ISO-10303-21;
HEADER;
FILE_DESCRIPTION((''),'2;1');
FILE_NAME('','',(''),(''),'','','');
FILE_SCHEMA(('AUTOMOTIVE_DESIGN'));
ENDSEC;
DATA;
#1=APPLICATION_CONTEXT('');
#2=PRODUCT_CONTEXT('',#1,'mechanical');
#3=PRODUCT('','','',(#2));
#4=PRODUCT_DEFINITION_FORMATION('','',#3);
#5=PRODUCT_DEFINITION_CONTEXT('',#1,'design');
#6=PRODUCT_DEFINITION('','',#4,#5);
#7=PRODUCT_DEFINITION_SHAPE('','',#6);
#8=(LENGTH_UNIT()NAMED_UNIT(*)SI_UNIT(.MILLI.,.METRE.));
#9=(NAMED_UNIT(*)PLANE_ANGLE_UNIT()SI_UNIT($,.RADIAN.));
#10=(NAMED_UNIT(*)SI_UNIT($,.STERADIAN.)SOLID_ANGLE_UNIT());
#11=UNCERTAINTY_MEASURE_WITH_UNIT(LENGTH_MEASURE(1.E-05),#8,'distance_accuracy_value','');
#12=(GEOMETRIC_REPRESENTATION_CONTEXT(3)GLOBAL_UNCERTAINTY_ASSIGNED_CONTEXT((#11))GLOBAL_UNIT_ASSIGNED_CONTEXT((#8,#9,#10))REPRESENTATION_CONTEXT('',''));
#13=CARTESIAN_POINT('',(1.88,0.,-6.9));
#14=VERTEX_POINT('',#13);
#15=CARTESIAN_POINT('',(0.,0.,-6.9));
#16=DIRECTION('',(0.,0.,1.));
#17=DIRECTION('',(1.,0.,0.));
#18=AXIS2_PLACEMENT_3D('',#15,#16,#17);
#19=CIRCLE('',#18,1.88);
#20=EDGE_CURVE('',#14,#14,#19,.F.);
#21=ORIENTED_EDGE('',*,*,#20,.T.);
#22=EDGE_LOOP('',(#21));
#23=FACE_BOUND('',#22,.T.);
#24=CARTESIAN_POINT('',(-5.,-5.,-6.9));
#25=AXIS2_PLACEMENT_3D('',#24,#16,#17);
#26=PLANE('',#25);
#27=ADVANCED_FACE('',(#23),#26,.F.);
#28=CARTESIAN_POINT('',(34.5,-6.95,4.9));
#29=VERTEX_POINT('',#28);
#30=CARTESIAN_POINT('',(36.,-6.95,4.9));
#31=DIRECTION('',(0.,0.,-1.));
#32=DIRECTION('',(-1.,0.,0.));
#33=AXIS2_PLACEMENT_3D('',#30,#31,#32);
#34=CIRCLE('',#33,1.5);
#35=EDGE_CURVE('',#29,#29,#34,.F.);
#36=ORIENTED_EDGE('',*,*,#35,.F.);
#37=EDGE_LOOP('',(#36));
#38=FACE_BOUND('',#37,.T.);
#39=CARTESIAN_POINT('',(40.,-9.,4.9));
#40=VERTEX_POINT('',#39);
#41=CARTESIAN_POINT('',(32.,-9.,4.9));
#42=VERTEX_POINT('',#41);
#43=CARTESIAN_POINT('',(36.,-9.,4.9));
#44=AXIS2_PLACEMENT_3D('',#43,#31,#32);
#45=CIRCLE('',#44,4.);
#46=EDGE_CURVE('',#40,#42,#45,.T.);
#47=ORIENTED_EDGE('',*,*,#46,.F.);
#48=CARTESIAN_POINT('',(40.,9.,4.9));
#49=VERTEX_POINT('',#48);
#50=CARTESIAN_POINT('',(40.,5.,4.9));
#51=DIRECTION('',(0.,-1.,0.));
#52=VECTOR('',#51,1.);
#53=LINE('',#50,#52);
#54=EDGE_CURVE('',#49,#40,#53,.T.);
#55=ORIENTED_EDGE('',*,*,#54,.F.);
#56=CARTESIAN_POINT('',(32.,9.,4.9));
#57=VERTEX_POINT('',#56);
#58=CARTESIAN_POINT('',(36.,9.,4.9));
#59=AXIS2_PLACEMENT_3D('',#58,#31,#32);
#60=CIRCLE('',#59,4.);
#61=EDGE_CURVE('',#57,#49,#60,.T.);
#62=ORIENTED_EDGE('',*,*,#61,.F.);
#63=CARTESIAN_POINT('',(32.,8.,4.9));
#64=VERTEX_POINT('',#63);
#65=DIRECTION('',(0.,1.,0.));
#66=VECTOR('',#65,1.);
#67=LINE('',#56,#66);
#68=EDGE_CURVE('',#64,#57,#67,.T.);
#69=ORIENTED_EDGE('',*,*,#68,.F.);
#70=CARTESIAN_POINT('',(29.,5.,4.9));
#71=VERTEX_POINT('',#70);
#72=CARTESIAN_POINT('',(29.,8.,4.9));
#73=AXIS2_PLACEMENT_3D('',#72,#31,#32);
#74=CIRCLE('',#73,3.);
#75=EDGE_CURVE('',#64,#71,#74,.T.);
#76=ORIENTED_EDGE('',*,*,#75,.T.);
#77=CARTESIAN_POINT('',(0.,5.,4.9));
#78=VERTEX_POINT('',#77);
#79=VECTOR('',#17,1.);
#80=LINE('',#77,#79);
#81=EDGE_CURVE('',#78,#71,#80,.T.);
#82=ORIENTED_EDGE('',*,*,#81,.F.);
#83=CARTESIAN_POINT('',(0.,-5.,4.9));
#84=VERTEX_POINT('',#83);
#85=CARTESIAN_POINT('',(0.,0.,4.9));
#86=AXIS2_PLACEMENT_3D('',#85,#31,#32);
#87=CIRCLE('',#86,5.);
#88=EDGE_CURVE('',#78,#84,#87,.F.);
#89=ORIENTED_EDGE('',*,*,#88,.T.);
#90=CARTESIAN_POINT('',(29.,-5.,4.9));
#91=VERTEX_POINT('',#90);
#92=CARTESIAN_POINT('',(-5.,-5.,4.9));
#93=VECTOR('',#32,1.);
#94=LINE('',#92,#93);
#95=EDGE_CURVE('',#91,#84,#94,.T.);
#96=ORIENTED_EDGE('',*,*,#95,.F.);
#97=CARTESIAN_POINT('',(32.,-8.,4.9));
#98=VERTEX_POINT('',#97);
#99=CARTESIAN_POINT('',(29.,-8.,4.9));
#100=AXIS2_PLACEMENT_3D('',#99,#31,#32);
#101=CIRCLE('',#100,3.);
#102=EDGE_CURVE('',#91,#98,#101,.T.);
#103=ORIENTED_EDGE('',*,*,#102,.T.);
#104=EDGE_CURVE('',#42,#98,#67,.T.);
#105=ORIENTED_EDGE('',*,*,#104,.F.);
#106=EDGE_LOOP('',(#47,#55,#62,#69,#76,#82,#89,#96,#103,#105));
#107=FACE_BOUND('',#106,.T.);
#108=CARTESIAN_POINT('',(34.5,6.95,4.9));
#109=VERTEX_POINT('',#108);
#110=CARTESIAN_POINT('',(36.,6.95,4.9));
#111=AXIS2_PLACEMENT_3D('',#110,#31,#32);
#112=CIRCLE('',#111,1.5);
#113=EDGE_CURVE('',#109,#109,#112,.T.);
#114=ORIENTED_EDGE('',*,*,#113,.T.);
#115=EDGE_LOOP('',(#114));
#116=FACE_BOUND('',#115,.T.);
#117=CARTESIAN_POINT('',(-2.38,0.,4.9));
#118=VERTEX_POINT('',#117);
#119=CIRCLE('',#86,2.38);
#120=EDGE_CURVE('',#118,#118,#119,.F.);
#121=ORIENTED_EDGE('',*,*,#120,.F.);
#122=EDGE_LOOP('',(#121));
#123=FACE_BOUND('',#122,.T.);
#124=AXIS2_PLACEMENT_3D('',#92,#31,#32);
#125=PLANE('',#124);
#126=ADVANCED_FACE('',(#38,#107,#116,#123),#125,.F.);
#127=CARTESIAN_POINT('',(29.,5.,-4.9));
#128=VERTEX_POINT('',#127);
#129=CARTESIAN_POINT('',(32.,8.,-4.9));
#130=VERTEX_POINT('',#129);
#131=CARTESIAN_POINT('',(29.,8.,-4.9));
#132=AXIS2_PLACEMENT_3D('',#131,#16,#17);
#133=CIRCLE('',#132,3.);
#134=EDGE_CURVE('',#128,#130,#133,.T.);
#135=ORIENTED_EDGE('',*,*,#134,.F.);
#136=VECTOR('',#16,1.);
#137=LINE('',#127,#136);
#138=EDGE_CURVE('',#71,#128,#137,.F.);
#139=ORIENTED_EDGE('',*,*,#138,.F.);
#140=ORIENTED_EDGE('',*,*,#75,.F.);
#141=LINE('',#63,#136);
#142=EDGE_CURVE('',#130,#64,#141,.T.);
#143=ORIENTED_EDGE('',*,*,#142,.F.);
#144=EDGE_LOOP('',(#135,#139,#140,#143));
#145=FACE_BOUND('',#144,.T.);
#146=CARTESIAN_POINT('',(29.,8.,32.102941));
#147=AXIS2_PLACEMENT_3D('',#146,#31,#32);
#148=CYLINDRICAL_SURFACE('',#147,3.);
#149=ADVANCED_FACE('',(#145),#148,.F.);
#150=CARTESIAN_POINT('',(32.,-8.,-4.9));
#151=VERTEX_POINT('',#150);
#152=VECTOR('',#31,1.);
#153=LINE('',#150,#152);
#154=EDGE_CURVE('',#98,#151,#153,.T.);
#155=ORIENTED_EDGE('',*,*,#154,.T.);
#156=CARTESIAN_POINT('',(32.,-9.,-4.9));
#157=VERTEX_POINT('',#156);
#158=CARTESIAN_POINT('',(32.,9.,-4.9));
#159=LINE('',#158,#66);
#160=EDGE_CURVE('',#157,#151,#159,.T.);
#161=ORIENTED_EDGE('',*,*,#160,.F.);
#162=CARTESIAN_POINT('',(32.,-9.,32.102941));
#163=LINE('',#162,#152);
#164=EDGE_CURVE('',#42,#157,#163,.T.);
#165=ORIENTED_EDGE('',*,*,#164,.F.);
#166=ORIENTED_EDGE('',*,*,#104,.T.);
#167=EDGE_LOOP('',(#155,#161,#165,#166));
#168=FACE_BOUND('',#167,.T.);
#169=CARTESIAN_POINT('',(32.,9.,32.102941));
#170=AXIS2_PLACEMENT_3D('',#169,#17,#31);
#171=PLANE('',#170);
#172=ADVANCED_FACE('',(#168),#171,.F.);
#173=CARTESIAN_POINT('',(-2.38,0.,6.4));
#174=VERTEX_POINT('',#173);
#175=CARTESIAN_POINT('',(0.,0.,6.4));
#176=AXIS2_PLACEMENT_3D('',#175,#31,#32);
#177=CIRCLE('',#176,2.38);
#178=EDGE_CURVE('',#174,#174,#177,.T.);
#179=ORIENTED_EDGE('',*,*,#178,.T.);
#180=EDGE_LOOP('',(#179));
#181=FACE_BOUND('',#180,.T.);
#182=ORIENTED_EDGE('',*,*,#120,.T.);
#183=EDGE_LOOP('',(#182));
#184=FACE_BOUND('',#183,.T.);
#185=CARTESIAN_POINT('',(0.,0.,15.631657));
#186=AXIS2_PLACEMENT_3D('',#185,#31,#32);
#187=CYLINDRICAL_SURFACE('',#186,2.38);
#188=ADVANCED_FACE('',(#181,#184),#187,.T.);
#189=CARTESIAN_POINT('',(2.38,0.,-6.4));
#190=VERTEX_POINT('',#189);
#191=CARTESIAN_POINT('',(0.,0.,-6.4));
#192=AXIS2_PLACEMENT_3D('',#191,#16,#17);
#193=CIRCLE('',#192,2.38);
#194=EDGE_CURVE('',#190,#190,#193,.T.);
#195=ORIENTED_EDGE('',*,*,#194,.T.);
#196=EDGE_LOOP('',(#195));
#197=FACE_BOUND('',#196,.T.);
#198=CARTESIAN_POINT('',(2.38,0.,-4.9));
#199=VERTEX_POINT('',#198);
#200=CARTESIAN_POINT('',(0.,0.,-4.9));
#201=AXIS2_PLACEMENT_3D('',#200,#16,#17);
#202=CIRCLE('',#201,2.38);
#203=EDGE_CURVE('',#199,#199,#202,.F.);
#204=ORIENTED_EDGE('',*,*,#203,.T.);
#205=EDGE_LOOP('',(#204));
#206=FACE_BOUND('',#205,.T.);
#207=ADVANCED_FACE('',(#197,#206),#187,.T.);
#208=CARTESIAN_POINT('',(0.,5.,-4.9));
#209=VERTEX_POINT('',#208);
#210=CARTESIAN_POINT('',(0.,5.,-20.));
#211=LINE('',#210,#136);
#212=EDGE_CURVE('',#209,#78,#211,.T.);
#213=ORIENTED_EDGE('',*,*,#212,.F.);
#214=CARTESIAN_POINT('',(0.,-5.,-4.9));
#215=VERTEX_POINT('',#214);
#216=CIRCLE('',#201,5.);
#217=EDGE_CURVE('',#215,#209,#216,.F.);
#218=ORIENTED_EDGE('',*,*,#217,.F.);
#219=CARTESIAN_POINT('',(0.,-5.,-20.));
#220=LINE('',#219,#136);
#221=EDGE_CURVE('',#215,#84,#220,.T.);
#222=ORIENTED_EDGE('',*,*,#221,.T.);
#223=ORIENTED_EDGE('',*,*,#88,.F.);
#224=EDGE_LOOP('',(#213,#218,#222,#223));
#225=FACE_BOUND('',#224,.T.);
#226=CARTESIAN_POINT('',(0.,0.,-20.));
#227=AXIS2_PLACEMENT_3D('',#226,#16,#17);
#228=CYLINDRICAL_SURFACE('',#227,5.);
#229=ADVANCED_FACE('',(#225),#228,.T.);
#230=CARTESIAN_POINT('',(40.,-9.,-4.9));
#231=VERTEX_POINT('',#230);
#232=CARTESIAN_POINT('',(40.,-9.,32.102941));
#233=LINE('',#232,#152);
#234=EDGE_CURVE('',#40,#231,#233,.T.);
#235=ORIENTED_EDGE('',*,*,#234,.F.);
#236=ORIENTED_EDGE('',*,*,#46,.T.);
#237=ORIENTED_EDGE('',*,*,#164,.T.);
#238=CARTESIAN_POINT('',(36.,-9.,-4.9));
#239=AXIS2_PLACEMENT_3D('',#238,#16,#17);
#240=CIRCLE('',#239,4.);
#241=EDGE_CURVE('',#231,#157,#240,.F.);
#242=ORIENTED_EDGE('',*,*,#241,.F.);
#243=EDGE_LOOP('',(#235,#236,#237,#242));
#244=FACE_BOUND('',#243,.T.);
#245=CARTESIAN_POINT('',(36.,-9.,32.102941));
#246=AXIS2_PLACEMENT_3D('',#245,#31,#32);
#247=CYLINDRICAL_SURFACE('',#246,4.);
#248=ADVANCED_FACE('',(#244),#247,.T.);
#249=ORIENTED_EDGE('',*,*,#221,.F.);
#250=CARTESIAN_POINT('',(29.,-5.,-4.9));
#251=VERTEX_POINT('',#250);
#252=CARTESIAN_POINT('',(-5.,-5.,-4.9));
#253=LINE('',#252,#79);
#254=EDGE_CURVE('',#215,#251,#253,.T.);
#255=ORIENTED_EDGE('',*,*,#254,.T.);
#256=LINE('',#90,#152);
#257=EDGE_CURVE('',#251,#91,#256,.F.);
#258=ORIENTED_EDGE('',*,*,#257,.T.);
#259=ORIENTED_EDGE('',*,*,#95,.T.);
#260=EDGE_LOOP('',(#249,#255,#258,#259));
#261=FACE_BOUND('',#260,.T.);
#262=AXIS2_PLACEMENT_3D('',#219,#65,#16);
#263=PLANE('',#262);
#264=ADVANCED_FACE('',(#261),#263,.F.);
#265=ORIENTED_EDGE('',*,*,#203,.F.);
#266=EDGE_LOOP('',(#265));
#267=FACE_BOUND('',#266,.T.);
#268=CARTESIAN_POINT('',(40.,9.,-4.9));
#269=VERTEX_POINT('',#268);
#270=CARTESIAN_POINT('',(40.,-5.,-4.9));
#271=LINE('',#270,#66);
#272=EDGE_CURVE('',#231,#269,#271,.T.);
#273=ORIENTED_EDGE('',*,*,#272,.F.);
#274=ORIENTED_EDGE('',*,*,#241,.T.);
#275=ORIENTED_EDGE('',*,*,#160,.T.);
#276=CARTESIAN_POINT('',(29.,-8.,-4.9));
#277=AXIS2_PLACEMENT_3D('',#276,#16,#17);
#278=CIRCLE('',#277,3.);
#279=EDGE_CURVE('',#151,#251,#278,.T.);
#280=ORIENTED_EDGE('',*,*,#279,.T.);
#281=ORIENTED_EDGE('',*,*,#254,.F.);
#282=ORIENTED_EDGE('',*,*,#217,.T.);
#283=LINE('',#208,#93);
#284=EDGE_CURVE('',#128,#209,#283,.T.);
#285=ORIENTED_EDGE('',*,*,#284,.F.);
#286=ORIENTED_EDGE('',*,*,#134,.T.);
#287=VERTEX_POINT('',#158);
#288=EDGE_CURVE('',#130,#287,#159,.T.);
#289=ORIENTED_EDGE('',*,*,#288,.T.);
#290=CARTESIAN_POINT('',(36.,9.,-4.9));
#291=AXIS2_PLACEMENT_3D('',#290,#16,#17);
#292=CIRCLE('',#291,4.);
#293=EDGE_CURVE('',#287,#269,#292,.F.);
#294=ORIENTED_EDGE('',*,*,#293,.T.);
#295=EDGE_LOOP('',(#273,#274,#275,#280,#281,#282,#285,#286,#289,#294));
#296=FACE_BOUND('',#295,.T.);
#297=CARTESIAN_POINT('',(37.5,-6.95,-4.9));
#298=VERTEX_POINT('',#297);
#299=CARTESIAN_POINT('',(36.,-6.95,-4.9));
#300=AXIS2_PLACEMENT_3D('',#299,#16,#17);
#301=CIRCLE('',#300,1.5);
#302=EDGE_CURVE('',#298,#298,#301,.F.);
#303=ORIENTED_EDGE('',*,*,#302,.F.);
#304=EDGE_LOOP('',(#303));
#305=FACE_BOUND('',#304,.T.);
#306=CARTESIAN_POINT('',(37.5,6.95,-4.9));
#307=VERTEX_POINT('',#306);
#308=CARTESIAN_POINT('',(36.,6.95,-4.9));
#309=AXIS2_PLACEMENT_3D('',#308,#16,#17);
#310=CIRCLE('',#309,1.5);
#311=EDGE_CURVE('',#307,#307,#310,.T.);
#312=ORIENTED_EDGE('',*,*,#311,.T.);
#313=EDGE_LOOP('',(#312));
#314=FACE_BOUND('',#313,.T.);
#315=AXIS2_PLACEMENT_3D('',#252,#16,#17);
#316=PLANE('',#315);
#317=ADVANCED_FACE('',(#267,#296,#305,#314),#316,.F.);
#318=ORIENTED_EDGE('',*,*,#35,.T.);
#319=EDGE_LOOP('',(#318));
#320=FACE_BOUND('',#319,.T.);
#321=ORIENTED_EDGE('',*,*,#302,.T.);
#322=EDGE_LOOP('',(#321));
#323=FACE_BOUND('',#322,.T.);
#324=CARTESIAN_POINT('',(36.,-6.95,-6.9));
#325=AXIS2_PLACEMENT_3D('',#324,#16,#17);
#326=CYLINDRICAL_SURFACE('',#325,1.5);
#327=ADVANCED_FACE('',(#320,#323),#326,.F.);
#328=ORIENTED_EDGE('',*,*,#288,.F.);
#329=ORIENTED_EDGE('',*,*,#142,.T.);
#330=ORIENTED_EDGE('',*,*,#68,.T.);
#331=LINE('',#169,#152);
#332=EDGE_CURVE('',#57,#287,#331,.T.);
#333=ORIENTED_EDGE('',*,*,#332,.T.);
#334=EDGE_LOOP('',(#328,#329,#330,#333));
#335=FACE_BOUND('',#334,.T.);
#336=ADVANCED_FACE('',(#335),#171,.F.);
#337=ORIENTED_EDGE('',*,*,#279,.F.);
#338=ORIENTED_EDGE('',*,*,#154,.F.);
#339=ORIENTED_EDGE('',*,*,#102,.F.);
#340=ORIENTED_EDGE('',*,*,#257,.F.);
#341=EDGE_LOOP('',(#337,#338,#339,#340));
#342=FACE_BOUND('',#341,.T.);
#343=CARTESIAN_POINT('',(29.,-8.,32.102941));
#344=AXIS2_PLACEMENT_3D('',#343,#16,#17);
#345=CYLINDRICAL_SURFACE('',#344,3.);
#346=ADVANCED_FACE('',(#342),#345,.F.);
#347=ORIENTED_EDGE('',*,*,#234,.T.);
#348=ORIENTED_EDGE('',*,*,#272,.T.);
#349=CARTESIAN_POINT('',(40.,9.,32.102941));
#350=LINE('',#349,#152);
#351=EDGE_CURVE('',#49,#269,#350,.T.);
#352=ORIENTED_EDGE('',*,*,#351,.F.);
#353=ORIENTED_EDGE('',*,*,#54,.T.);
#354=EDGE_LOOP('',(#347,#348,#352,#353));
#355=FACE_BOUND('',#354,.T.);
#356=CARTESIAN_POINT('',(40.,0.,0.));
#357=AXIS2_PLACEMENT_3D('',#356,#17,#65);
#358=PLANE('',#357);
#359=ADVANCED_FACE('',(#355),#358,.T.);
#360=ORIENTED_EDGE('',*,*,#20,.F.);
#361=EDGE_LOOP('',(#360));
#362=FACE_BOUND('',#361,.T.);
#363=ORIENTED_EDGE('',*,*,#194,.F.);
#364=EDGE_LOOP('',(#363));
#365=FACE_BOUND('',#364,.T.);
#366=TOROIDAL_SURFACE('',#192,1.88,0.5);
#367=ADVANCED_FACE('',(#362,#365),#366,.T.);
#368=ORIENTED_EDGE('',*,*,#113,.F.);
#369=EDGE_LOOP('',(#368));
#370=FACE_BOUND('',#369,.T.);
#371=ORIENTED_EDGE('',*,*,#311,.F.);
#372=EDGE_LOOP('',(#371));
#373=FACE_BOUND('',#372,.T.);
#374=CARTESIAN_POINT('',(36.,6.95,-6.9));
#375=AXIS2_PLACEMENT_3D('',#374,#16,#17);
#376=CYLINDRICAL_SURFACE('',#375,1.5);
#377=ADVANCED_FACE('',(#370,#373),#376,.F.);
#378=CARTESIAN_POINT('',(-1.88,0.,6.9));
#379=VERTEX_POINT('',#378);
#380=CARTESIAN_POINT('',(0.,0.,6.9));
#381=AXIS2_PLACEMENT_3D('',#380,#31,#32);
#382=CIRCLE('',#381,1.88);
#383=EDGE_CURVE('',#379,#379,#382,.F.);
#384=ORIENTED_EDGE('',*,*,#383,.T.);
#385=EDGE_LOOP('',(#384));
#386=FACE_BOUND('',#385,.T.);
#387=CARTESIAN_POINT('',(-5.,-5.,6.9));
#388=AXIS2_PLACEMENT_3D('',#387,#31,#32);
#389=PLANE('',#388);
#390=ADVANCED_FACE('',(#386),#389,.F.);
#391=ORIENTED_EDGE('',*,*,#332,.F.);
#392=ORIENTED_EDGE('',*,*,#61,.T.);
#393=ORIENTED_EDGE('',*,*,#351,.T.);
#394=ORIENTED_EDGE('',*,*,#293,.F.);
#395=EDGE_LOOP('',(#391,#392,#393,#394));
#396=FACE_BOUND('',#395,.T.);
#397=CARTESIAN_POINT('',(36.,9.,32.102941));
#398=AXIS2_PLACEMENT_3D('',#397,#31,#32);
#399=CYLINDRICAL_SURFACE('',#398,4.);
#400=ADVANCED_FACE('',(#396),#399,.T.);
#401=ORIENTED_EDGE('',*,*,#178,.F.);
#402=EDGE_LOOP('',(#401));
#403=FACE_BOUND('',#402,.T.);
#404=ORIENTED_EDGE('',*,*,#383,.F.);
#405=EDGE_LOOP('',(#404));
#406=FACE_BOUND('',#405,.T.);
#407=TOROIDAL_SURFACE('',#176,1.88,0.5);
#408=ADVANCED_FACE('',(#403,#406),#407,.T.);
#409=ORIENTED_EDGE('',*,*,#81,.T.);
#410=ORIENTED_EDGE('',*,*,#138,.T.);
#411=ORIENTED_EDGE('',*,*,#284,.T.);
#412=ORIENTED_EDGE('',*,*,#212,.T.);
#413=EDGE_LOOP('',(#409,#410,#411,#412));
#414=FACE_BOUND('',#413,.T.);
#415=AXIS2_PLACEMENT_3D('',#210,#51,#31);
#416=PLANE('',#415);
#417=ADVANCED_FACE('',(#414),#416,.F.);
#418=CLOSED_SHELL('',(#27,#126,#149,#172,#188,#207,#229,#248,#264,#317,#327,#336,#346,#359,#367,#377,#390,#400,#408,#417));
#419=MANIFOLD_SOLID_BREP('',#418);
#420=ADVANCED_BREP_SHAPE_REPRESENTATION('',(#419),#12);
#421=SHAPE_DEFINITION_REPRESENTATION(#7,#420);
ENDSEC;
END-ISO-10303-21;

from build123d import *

# Parameters (mm, degrees)
SKETCH1_W                       = 20
SKETCH1_H                       = 20
BOSS_EXTRUDE1_DEPTH             = 20
CUT_EXTRUDE1_DEPTH              = 43.426406871
CUT_EXTRUDE1_DEPTH_BACK         = 43.426406871
CUT_EXTRUDE3_DEPTH              = 25.494897428
CUT_EXTRUDE3_DEPTH_BACK         = 25.494897428
SKETCH3_W                       = 15
SKETCH3_H                       = 15.1
BOSS_EXTRUDE3_DEPTH             = 6.9
BOSS_EXTRUDE3_DEPTH_BACK        = 6.9
SKETCH5_R                       = 2.38
FILLET1_R                       = 0.5
SKETCH7_W                       = 9.8
SKETCH7_H                       = 10
BOSS_EXTRUDE4_DEPTH             = 30
BOSS_EXTRUDE5_REACH             = 42.898
BOSS_EXTRUDE5_DIRECTION_2_REACH = 42.898
CUT_EXTRUDE4_DEPTH              = 43.621708084
CUT_EXTRUDE4_DEPTH_BACK         = 43.621708084
FILLET2_R                       = 3


with BuildPart() as part:
    # Sketch1 → Boss-Extrude1 (new, symmetric)
    with BuildSketch(Plane.XY):
        Rectangle(SKETCH1_W, SKETCH1_H)
    extrude(amount=BOSS_EXTRUDE1_DEPTH, both=True)

    # Sketch2 → Cut-Extrude1 (cut, two sides: drawn at the far end of the back side and taken through both)
    with BuildSketch(Plane.XY.offset(20).offset(-CUT_EXTRUDE1_DEPTH_BACK)):
        with BuildLine():
            ThreePointArc((0, -5), (-5, 0), (0, 5))
            Line((0, 5), (10, 5))
            Line((10, 5), (10, 10))
            Line((10, 10), (-10, 10))
            Line((-10, 10), (-10, -10))
            Line((-10, -10), (10, -10))
            Line((10, -10), (10, -5))
            Line((10, -5), (0, -5))
        make_face()
    extrude(amount=CUT_EXTRUDE1_DEPTH + CUT_EXTRUDE1_DEPTH_BACK, mode=Mode.SUBTRACT)

    # Sketch3 → Cut-Extrude3 (cut, two sides: drawn at the far end of the back side and taken through both)
    with BuildSketch(Plane(origin=(0, 5, 0), x_dir=(1, 0, 0), z_dir=(0, 1, 0)).offset(-CUT_EXTRUDE3_DEPTH_BACK)):
        with Locations((2.5, 12.45)):
            Rectangle(SKETCH3_W, SKETCH3_H)
        with Locations((2.5, -12.45)):
            Rectangle(SKETCH3_W, SKETCH3_H)
    extrude(amount=CUT_EXTRUDE3_DEPTH + CUT_EXTRUDE3_DEPTH_BACK, mode=Mode.SUBTRACT)

    # Sketch5 → Boss-Extrude3 (add, two sides: drawn at the far end of the back side and taken through both)
    with BuildSketch(Plane.XY.offset(-BOSS_EXTRUDE3_DEPTH_BACK)):
        Circle(SKETCH5_R)
    extrude(amount=BOSS_EXTRUDE3_DEPTH + BOSS_EXTRUDE3_DEPTH_BACK)

    # Fillet1
    fillet1_edges = [part.edges().sort_by_distance(p)[0] for p in [
        (-2.38, 0, 6.9),
        (-2.38, 0, -6.9),
    ]]
    fillet(fillet1_edges, radius=FILLET1_R)

    # Sketch7 → Boss-Extrude4 (add)
    with BuildSketch(Plane(origin=(10, 0, 0), x_dir=(0, 0, -1), z_dir=(1, 0, 0))):
        Rectangle(SKETCH7_W, SKETCH7_H)
    extrude(amount=BOSS_EXTRUDE4_DEPTH)

    # Boss-Extrude5: up to this face of the body (flat: up to its plane)
    boss_extrude5_end = Plane(part.part.faces().sort_by_distance((18.783256068, 0, 4.9))[0])
    # Sketch11 → Boss-Extrude5 (add, up to the picked face)
    with BuildSketch(Plane.XY, mode=Mode.PRIVATE) as boss_extrude5_sk1:
        with BuildLine():
            Line((40, 9), (40, -9))
            ThreePointArc((40, -9), (36, -13), (32, -9))
            Line((32, -9), (32, 9))
            ThreePointArc((32, 9), (36, 13), (40, 9))
        make_face()
    boss_extrude5_tool1 = split(extrude(boss_extrude5_sk1.sketch, amount=BOSS_EXTRUDE5_REACH, mode=Mode.PRIVATE), bisect_by=boss_extrude5_end, keep=Keep.BOTH, mode=Mode.PRIVATE)
    add(boss_extrude5_tool1.solids().sort_by(Axis((36, 0, 0), (0, 0, 1)))[0])

    # Boss-Extrude5 direction 2: up to this face of the body (flat: up to its plane)
    boss_extrude5_direction_2_end = Plane(part.part.faces().sort_by_distance((18.783256068, 0, -4.9))[0])
    # Sketch11 → Boss-Extrude5 direction 2 (add, up to the picked face)
    with BuildSketch(Plane.XY, mode=Mode.PRIVATE) as boss_extrude5_direction_2_sk1:
        with BuildLine():
            Line((40, 9), (40, -9))
            ThreePointArc((40, -9), (36, -13), (32, -9))
            Line((32, -9), (32, 9))
            ThreePointArc((32, 9), (36, 13), (40, 9))
        make_face()
    boss_extrude5_direction_2_tool1 = split(extrude(boss_extrude5_direction_2_sk1.sketch, amount=-BOSS_EXTRUDE5_DIRECTION_2_REACH, mode=Mode.PRIVATE), bisect_by=boss_extrude5_direction_2_end, keep=Keep.BOTH, mode=Mode.PRIVATE)
    add(boss_extrude5_direction_2_tool1.solids().sort_by(Axis((36, 0, 0), (0, 0, -1)))[0])

    # Sketch13 → Cut-Extrude4 (cut, two sides: drawn at the far end of the back side and taken through both)
    with BuildSketch(Plane.XY.offset(-CUT_EXTRUDE4_DEPTH_BACK)):
        with BuildLine():
            ThreePointArc((37.5, 6.95), (37.060660172, 8.010660172), (36, 8.45))
            Line((36, 8.45), (36, 5.45))
            ThreePointArc((36, 5.45), (37.060660172, 5.889339828), (37.5, 6.95))
        make_face()
        with BuildLine():
            Line((36, 5.45), (36, 8.45))
            ThreePointArc((36, 8.45), (34.5, 6.95), (36, 5.45))
        make_face()
        with BuildLine():
            ThreePointArc((37.5, -6.95), (37.060660172, -5.889339828), (36, -5.45))
            Line((36, -5.45), (36, -8.45))
            ThreePointArc((36, -8.45), (37.060660172, -8.010660172), (37.5, -6.95))
        make_face()
        with BuildLine():
            Line((36, -8.45), (36, -5.45))
            ThreePointArc((36, -5.45), (34.5, -6.95), (36, -8.45))
        make_face()
    extrude(amount=CUT_EXTRUDE4_DEPTH + CUT_EXTRUDE4_DEPTH_BACK, mode=Mode.SUBTRACT)

    # Fillet2
    fillet2_edges = [part.edges().sort_by_distance(p)[0] for p in [
        (32, -5, 0),
        (32, 5, 0),
    ]]
    fillet(fillet2_edges, radius=FILLET2_R)


solid = part.part
